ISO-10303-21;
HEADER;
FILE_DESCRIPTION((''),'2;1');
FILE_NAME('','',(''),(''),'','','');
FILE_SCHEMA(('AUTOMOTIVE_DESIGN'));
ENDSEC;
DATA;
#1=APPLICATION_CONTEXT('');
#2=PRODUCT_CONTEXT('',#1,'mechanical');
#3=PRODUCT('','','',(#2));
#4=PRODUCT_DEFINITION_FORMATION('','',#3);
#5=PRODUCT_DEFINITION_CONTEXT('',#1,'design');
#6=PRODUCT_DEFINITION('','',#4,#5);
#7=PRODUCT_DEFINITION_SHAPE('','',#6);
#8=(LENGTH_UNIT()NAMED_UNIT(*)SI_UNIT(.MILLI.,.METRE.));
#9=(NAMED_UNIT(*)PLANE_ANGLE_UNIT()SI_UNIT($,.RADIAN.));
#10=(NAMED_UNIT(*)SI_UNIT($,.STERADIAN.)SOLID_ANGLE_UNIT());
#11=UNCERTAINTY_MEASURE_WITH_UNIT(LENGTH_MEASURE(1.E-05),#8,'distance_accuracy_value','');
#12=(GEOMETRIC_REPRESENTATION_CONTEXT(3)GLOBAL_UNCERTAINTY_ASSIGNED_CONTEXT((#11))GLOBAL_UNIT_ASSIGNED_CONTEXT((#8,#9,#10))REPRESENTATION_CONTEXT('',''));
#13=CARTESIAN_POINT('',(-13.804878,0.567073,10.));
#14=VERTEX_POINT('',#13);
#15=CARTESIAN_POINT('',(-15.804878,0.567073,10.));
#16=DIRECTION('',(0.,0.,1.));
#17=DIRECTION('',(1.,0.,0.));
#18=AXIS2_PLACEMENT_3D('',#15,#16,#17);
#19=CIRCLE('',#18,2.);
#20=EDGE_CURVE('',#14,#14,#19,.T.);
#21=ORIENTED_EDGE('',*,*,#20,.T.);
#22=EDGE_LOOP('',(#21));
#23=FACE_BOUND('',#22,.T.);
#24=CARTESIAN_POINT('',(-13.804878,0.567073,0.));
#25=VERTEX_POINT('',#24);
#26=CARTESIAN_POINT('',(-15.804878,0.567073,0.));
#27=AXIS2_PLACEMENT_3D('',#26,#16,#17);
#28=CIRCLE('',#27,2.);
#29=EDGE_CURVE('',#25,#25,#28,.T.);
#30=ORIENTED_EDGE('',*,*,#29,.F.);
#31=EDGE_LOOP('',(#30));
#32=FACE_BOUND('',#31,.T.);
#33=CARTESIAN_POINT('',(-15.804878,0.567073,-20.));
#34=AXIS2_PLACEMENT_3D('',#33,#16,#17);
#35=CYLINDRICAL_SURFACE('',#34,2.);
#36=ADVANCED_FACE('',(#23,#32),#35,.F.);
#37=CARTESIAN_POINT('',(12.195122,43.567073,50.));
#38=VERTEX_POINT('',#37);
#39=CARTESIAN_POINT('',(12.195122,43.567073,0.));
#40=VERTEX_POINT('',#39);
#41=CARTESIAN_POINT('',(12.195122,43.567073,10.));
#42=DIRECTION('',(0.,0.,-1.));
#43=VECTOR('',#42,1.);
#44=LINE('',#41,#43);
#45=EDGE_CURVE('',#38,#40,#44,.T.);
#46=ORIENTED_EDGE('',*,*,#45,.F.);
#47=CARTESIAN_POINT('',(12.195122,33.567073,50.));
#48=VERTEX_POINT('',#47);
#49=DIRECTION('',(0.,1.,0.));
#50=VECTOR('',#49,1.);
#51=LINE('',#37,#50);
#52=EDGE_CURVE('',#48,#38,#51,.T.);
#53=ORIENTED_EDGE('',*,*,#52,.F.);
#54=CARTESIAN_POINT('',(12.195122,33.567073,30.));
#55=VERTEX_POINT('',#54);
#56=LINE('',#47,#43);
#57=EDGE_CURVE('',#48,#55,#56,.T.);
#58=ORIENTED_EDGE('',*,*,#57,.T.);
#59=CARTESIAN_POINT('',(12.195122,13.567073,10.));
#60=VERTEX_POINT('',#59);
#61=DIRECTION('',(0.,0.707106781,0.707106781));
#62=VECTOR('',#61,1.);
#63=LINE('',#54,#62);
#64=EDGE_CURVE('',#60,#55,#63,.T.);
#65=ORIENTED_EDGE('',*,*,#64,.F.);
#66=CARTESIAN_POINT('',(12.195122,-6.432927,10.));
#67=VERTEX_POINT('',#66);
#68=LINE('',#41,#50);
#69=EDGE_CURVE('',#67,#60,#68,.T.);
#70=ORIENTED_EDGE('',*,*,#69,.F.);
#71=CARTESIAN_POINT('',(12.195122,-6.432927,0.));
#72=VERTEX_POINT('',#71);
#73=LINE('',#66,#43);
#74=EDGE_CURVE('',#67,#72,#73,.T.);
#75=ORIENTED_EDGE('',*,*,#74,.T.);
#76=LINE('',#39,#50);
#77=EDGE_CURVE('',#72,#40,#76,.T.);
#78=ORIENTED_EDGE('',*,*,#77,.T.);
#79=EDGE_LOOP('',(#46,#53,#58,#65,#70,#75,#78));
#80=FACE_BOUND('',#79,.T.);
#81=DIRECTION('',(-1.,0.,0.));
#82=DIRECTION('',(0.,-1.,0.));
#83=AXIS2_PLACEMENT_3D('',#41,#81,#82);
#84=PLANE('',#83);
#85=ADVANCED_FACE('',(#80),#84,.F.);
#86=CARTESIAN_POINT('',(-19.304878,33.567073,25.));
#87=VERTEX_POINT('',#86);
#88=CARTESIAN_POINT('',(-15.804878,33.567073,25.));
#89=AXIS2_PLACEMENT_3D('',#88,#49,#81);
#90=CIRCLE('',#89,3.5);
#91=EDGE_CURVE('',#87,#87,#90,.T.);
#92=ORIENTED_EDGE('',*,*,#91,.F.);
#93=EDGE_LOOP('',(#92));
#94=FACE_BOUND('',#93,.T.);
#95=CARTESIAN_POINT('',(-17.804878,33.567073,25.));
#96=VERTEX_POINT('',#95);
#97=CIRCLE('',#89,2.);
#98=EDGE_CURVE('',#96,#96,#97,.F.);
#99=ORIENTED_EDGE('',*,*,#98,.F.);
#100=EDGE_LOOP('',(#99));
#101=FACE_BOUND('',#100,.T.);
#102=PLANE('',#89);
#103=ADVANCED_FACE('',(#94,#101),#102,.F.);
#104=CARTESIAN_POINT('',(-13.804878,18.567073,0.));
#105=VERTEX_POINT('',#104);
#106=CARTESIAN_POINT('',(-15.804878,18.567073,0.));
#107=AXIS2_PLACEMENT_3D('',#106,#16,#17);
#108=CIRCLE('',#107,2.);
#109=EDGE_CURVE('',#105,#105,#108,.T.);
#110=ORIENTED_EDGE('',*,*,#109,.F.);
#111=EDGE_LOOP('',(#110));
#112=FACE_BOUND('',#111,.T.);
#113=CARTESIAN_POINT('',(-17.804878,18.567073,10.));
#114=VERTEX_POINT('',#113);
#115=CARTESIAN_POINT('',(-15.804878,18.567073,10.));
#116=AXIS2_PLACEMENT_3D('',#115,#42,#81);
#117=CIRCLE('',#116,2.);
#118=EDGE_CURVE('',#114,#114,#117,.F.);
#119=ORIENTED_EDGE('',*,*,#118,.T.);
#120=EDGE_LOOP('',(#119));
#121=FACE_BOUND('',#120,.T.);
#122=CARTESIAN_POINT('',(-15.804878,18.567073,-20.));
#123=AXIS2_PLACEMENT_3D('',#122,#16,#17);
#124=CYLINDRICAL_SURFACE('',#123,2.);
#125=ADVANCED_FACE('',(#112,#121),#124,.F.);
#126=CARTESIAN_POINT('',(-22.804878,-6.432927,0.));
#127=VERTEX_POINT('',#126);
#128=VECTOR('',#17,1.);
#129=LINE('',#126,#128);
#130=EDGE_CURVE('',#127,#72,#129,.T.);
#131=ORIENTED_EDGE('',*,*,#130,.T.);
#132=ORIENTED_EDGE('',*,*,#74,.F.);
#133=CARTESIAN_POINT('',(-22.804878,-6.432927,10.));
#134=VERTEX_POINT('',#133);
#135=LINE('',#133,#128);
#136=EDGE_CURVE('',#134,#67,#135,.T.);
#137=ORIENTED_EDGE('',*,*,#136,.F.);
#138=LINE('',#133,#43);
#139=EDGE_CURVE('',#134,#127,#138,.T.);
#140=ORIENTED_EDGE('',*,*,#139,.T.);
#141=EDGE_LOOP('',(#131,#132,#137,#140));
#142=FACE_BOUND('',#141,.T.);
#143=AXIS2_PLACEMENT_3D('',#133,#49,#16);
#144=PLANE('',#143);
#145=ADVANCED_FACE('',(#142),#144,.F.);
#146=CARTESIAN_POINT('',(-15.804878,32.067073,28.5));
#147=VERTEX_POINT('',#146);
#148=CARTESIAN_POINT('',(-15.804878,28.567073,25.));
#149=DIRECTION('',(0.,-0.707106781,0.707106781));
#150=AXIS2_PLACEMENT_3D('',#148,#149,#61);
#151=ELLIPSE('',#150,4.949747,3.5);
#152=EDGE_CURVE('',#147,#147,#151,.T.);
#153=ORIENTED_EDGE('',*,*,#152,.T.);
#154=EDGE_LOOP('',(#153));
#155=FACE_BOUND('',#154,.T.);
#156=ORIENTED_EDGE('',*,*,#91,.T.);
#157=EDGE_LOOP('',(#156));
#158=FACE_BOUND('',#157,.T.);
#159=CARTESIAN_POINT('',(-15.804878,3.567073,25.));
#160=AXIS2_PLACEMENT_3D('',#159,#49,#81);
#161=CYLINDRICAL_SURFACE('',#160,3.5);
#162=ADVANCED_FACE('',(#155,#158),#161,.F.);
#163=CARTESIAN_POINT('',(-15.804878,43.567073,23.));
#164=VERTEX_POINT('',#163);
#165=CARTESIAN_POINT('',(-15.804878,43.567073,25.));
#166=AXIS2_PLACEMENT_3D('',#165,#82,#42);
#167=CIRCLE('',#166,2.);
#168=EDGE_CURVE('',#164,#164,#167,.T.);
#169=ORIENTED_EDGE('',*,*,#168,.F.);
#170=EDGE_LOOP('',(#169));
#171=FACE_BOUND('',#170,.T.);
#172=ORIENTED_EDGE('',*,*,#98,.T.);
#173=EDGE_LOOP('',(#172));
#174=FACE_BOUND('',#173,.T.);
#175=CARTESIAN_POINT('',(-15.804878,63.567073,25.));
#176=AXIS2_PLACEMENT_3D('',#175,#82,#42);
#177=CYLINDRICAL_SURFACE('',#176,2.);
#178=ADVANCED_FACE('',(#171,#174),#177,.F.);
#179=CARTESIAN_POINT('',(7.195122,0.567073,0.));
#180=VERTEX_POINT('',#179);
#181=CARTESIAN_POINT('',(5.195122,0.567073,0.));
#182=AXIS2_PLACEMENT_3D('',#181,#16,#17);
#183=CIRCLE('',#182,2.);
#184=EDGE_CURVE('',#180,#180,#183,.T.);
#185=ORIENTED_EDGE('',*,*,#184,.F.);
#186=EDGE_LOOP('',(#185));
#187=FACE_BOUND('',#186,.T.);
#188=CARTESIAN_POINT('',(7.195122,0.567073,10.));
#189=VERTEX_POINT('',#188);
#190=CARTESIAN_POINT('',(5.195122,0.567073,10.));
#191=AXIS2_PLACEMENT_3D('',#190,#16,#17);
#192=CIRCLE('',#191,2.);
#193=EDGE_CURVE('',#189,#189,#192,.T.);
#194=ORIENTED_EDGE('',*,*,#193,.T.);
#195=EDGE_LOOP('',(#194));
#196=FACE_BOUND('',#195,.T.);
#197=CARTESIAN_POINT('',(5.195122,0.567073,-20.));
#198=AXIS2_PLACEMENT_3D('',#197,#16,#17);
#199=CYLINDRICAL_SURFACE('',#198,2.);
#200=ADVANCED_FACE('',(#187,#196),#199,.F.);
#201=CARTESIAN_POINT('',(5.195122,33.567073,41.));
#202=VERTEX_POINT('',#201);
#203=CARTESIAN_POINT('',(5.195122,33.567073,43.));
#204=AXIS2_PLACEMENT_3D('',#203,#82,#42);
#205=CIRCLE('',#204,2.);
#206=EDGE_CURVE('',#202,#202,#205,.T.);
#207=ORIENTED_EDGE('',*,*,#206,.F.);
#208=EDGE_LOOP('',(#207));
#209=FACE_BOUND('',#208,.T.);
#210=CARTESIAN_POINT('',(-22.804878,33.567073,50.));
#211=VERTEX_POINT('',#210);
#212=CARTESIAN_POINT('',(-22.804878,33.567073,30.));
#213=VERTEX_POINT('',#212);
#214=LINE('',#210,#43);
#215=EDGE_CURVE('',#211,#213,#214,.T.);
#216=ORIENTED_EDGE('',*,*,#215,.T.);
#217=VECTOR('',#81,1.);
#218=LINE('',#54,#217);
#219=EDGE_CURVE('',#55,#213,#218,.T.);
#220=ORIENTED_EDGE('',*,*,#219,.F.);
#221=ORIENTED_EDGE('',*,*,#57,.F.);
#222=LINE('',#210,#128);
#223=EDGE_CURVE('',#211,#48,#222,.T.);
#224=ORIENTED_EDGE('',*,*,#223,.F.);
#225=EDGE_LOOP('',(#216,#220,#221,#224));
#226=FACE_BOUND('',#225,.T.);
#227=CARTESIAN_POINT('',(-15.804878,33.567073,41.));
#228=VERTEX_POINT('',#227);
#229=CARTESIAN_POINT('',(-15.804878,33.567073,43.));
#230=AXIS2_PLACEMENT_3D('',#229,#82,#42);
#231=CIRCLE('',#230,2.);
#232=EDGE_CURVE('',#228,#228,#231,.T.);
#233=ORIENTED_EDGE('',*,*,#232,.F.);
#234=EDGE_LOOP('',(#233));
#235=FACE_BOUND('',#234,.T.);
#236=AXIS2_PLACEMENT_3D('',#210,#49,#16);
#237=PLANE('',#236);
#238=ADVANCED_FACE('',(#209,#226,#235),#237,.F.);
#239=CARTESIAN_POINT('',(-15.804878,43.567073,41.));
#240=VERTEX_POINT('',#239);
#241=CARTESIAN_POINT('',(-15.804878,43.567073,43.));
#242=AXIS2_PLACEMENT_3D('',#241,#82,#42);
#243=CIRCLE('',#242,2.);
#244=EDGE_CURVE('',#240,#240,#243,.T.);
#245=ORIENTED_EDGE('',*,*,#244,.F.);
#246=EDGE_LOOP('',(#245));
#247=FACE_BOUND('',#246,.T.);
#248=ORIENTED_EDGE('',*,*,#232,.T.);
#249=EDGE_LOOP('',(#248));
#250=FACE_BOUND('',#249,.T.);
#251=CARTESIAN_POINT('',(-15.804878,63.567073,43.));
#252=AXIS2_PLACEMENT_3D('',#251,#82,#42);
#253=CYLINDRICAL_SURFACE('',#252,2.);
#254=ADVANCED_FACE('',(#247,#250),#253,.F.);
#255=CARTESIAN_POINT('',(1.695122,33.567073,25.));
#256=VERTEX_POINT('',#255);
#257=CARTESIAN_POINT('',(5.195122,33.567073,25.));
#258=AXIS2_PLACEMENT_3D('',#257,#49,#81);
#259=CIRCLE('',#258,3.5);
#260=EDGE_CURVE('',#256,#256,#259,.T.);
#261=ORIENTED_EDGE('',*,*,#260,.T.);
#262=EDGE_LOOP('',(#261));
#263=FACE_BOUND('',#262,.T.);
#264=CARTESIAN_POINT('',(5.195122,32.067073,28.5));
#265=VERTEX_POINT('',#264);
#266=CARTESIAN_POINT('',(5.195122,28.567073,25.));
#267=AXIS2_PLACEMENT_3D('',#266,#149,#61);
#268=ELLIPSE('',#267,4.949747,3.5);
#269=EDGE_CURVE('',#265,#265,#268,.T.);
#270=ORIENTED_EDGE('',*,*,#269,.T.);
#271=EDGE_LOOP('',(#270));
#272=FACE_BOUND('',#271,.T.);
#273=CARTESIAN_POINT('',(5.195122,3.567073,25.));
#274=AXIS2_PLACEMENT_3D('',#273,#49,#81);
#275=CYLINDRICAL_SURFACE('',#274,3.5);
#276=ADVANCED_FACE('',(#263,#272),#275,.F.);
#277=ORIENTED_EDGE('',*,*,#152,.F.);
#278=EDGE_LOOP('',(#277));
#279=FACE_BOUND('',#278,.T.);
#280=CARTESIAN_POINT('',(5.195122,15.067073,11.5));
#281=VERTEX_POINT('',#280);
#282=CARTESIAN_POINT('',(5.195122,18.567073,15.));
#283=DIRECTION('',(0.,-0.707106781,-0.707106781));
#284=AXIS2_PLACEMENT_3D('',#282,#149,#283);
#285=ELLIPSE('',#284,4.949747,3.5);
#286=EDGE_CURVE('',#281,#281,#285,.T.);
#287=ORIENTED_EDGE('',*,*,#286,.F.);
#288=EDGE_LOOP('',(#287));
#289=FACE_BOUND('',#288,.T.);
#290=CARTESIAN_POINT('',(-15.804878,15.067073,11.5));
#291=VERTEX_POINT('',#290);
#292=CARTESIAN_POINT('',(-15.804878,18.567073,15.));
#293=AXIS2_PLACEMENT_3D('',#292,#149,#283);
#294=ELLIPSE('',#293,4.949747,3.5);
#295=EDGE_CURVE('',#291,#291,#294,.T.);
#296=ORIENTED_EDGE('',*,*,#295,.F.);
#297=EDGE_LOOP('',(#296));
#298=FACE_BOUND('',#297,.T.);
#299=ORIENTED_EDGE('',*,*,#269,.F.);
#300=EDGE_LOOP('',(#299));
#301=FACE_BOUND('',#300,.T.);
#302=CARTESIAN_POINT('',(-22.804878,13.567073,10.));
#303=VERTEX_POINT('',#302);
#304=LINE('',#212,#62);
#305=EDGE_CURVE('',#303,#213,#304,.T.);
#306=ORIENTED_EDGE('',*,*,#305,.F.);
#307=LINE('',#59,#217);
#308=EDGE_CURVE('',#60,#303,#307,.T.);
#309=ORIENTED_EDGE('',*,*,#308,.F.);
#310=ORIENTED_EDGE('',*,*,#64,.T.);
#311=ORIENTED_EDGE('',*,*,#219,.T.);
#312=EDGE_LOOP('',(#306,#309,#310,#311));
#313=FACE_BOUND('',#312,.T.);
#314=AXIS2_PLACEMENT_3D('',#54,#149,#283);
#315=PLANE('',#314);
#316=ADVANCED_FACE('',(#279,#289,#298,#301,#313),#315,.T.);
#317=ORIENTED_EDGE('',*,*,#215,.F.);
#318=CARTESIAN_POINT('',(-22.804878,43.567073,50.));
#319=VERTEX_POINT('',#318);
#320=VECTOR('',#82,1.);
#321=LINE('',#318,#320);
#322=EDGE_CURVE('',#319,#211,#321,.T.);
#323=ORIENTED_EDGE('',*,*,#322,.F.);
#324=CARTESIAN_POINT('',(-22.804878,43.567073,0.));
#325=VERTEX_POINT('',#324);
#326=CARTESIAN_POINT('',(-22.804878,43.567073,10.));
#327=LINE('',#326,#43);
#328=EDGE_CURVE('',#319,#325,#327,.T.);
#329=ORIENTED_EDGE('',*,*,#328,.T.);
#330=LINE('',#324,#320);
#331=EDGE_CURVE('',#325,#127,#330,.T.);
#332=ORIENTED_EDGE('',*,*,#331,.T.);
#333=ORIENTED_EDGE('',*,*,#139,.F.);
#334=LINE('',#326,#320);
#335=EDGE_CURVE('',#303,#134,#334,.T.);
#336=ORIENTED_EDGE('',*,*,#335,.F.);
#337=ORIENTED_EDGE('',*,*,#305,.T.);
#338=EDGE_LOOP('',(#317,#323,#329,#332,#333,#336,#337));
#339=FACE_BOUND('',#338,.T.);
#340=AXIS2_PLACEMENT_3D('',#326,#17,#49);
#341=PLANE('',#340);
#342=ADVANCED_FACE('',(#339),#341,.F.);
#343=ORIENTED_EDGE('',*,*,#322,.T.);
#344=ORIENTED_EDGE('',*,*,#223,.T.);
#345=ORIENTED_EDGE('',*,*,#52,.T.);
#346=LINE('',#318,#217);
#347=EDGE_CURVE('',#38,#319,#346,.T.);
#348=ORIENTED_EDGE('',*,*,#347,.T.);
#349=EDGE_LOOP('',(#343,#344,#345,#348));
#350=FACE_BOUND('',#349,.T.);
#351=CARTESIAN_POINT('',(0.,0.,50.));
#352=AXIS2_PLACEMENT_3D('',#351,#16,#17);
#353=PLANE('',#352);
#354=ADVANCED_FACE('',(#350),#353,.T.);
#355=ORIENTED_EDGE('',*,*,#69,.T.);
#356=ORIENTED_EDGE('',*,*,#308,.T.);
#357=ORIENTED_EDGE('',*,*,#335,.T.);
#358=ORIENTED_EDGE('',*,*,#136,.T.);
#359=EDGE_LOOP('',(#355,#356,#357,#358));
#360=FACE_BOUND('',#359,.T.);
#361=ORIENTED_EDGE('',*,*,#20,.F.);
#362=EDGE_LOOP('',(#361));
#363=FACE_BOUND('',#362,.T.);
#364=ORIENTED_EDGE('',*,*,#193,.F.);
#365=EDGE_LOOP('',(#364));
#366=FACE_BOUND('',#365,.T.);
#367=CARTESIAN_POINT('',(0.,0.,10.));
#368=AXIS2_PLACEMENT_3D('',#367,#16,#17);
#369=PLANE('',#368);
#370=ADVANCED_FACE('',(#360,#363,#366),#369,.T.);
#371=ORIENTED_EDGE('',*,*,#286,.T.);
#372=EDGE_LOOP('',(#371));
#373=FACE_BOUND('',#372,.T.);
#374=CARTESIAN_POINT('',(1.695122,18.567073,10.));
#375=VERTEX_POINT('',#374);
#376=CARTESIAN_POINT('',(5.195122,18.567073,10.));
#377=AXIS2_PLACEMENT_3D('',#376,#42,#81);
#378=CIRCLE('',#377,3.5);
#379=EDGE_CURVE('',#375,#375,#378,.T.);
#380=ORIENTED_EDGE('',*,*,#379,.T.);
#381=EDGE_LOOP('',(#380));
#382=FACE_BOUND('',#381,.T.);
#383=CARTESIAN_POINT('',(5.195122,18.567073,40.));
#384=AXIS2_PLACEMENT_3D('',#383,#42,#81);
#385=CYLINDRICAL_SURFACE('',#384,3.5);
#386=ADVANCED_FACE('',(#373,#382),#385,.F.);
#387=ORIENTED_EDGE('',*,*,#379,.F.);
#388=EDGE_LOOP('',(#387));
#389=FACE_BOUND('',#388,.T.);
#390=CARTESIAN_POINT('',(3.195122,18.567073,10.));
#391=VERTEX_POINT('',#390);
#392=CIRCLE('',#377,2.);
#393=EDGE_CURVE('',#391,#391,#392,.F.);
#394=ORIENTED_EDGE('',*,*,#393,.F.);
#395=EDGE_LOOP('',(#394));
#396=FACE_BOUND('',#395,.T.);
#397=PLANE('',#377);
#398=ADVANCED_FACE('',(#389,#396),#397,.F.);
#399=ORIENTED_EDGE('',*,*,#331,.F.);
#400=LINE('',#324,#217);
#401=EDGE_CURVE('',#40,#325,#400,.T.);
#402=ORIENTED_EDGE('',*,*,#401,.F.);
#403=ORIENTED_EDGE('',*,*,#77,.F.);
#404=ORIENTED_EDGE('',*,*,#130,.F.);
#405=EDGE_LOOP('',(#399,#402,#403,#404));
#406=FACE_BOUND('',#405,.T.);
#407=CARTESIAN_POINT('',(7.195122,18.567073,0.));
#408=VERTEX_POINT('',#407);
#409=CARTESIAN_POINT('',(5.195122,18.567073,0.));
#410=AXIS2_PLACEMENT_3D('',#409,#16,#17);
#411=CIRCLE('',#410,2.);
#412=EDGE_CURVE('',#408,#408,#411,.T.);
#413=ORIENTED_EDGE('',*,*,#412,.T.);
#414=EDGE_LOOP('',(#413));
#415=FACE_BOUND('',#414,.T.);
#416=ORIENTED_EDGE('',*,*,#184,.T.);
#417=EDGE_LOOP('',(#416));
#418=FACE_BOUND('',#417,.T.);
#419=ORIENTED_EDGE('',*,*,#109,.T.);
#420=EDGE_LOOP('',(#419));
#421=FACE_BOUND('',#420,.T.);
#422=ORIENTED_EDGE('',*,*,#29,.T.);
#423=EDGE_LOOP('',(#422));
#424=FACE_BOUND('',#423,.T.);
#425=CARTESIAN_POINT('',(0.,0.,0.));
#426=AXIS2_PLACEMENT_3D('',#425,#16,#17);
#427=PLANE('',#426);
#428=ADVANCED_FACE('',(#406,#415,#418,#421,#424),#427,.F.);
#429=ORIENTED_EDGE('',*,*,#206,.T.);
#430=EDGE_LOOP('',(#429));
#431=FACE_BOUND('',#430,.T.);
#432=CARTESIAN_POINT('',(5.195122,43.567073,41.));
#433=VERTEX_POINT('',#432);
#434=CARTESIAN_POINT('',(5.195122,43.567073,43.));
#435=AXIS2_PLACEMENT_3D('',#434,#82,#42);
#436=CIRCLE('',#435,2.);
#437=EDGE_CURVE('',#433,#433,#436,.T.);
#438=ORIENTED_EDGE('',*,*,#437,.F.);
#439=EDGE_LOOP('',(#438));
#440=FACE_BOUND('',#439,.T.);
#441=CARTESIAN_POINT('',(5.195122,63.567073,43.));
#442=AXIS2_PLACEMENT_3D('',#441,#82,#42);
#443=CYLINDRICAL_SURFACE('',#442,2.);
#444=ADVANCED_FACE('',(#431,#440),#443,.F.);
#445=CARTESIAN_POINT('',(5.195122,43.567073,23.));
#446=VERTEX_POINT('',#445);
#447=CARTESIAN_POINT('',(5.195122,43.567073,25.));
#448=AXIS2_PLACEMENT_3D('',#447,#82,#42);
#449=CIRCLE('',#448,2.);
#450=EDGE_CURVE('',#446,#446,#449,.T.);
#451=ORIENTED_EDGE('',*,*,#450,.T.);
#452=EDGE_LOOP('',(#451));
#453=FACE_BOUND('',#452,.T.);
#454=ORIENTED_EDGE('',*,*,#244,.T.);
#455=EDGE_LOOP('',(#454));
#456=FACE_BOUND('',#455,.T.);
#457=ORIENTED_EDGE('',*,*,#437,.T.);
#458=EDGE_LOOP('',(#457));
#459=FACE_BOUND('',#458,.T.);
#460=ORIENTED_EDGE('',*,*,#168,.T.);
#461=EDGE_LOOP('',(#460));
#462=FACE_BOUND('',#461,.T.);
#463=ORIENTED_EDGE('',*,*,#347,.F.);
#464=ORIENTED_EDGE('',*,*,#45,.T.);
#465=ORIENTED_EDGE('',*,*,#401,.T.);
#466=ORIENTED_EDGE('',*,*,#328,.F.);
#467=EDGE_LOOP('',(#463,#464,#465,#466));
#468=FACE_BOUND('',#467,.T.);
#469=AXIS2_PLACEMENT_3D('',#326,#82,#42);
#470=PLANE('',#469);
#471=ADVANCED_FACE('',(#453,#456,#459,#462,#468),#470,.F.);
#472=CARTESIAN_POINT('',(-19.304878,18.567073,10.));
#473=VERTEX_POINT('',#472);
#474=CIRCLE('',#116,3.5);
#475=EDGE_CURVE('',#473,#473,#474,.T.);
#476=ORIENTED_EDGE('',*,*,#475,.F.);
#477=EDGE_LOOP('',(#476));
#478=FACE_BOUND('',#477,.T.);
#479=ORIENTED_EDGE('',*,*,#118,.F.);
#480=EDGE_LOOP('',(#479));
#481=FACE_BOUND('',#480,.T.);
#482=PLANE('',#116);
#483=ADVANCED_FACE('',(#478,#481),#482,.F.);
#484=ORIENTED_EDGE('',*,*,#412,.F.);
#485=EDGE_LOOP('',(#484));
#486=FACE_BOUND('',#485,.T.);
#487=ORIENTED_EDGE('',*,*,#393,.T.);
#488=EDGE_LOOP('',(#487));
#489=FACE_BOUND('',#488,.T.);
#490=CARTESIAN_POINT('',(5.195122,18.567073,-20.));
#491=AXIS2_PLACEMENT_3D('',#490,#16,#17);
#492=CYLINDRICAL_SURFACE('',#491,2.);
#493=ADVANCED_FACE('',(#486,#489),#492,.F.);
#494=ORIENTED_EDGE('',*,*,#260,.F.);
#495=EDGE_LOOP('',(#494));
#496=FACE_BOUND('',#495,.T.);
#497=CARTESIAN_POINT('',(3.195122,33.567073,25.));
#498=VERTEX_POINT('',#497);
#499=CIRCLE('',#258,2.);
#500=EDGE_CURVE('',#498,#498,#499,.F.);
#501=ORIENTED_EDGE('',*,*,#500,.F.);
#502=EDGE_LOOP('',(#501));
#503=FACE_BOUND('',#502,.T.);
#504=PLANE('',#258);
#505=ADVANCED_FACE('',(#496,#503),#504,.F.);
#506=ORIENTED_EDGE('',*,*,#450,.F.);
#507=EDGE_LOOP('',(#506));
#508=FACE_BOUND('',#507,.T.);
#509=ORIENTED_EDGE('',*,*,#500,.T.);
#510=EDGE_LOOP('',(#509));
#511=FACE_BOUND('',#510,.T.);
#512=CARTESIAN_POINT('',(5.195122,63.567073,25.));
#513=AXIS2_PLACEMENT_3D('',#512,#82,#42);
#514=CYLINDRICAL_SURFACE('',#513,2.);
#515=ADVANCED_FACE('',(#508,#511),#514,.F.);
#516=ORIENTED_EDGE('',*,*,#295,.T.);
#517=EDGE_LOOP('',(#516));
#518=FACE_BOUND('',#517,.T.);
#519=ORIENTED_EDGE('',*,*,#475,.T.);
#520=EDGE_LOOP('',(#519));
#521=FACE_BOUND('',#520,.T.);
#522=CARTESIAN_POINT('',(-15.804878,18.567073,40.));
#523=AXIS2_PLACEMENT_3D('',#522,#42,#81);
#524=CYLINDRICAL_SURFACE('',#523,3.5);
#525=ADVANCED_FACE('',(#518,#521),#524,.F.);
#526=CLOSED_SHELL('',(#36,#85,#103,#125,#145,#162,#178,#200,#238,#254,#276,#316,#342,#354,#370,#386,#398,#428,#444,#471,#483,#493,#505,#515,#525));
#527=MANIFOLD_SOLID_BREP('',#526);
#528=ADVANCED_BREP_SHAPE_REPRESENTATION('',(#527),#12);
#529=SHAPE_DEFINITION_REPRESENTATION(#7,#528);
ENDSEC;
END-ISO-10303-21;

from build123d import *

# Parameters (mm, degrees)
SKETCH1_W           = 35
SKETCH1_H           = 50
BOSS_EXTRUDE1_DEPTH = 10
SKETCH2_W           = 35
SKETCH2_H           = 10
BOSS_EXTRUDE2_DEPTH = 40
SKETCH3_R           = 2
CUT_EXTRUDE1_DEPTH  = 30
SKETCH4_R           = 2
CUT_EXTRUDE2_DEPTH  = 30
BOSS_EXTRUDE3_DEPTH = 35
SKETCH6_R           = 3.5
CUT_EXTRUDE3_DEPTH  = 30
SKETCH7_R           = 3.5
CUT_EXTRUDE4_DEPTH  = 30


with BuildPart() as part:
    # Sketch1 → Boss-Extrude1 (new body)
    with BuildSketch(Plane.XY):
        with Locations((-5.304878049, 18.567073171)):
            Rectangle(SKETCH1_W, SKETCH1_H)
    extrude(amount=BOSS_EXTRUDE1_DEPTH)

    # Sketch2 → Boss-Extrude2 (add)
    with BuildSketch(Plane.XY.offset(10)):
        with Locations((-5.304878049, 38.567073171)):
            Rectangle(SKETCH2_W, SKETCH2_H)
    extrude(amount=BOSS_EXTRUDE2_DEPTH)

    # Sketch3 → Cut-Extrude1 (cut)
    with BuildSketch(Plane.XY.offset(10)):
        with Locations((5.195121951, 0.567073171)):
            Circle(SKETCH3_R)
        with Locations((-15.804878049, 18.567073171)):
            Circle(SKETCH3_R)
        with Locations((5.195121951, 18.567073171)):
            Circle(SKETCH3_R)
        with Locations((-15.804878049, 0.567073171)):
            Circle(SKETCH3_R)
    extrude(amount=-CUT_EXTRUDE1_DEPTH, mode=Mode.SUBTRACT)

    # Sketch4 → Cut-Extrude2 (cut)
    with BuildSketch(Plane.XZ.offset(-33.567073171)):
        with Locations(Location((-15.804878049, 43, 0), (0, 0, 270))):
            Circle(SKETCH4_R)
        with Locations(Location((5.195121951, 43, 0), (0, 0, 270))):
            Circle(SKETCH4_R)
        with Locations(Location((-15.804878049, 25, 0), (0, 0, 270))):
            Circle(SKETCH4_R)
        with Locations(Location((5.195121951, 25, 0), (0, 0, 270))):
            Circle(SKETCH4_R)
    extrude(amount=-CUT_EXTRUDE2_DEPTH, mode=Mode.SUBTRACT)

    # Sketch5 → Boss-Extrude3 (add)
    with BuildSketch(Plane.ZY.offset(22.804878049)):
        Polygon((30, 33.567073171), (10, 13.567073171), (10, 33.567073171), align=None)
    extrude(amount=-BOSS_EXTRUDE3_DEPTH)

    # Sketch6 → Cut-Extrude3 (cut)
    with BuildSketch(Plane(origin=(0, 33.567073171, 0), x_dir=(1, 0, 0), z_dir=(0, 1, 0))):
        with Locations(Location((5.195121951, -25, 0), (0, 0, 180))):
            Circle(SKETCH6_R)
        with Locations(Location((-15.804878049, -25, 0), (0, 0, 180))):
            Circle(SKETCH6_R)
    extrude(amount=-CUT_EXTRUDE3_DEPTH, mode=Mode.SUBTRACT)

    # Sketch7 → Cut-Extrude4 (cut)
    with BuildSketch(Plane(origin=(0, 0, 10), x_dir=(-1, 0, 0), z_dir=(0, 0, -1))):
        with Locations((-5.195121951, 18.567073171)):
            Circle(SKETCH7_R)
        with Locations((15.804878049, 18.567073171)):
            Circle(SKETCH7_R)
    extrude(amount=-CUT_EXTRUDE4_DEPTH, mode=Mode.SUBTRACT)


solid = part.part
